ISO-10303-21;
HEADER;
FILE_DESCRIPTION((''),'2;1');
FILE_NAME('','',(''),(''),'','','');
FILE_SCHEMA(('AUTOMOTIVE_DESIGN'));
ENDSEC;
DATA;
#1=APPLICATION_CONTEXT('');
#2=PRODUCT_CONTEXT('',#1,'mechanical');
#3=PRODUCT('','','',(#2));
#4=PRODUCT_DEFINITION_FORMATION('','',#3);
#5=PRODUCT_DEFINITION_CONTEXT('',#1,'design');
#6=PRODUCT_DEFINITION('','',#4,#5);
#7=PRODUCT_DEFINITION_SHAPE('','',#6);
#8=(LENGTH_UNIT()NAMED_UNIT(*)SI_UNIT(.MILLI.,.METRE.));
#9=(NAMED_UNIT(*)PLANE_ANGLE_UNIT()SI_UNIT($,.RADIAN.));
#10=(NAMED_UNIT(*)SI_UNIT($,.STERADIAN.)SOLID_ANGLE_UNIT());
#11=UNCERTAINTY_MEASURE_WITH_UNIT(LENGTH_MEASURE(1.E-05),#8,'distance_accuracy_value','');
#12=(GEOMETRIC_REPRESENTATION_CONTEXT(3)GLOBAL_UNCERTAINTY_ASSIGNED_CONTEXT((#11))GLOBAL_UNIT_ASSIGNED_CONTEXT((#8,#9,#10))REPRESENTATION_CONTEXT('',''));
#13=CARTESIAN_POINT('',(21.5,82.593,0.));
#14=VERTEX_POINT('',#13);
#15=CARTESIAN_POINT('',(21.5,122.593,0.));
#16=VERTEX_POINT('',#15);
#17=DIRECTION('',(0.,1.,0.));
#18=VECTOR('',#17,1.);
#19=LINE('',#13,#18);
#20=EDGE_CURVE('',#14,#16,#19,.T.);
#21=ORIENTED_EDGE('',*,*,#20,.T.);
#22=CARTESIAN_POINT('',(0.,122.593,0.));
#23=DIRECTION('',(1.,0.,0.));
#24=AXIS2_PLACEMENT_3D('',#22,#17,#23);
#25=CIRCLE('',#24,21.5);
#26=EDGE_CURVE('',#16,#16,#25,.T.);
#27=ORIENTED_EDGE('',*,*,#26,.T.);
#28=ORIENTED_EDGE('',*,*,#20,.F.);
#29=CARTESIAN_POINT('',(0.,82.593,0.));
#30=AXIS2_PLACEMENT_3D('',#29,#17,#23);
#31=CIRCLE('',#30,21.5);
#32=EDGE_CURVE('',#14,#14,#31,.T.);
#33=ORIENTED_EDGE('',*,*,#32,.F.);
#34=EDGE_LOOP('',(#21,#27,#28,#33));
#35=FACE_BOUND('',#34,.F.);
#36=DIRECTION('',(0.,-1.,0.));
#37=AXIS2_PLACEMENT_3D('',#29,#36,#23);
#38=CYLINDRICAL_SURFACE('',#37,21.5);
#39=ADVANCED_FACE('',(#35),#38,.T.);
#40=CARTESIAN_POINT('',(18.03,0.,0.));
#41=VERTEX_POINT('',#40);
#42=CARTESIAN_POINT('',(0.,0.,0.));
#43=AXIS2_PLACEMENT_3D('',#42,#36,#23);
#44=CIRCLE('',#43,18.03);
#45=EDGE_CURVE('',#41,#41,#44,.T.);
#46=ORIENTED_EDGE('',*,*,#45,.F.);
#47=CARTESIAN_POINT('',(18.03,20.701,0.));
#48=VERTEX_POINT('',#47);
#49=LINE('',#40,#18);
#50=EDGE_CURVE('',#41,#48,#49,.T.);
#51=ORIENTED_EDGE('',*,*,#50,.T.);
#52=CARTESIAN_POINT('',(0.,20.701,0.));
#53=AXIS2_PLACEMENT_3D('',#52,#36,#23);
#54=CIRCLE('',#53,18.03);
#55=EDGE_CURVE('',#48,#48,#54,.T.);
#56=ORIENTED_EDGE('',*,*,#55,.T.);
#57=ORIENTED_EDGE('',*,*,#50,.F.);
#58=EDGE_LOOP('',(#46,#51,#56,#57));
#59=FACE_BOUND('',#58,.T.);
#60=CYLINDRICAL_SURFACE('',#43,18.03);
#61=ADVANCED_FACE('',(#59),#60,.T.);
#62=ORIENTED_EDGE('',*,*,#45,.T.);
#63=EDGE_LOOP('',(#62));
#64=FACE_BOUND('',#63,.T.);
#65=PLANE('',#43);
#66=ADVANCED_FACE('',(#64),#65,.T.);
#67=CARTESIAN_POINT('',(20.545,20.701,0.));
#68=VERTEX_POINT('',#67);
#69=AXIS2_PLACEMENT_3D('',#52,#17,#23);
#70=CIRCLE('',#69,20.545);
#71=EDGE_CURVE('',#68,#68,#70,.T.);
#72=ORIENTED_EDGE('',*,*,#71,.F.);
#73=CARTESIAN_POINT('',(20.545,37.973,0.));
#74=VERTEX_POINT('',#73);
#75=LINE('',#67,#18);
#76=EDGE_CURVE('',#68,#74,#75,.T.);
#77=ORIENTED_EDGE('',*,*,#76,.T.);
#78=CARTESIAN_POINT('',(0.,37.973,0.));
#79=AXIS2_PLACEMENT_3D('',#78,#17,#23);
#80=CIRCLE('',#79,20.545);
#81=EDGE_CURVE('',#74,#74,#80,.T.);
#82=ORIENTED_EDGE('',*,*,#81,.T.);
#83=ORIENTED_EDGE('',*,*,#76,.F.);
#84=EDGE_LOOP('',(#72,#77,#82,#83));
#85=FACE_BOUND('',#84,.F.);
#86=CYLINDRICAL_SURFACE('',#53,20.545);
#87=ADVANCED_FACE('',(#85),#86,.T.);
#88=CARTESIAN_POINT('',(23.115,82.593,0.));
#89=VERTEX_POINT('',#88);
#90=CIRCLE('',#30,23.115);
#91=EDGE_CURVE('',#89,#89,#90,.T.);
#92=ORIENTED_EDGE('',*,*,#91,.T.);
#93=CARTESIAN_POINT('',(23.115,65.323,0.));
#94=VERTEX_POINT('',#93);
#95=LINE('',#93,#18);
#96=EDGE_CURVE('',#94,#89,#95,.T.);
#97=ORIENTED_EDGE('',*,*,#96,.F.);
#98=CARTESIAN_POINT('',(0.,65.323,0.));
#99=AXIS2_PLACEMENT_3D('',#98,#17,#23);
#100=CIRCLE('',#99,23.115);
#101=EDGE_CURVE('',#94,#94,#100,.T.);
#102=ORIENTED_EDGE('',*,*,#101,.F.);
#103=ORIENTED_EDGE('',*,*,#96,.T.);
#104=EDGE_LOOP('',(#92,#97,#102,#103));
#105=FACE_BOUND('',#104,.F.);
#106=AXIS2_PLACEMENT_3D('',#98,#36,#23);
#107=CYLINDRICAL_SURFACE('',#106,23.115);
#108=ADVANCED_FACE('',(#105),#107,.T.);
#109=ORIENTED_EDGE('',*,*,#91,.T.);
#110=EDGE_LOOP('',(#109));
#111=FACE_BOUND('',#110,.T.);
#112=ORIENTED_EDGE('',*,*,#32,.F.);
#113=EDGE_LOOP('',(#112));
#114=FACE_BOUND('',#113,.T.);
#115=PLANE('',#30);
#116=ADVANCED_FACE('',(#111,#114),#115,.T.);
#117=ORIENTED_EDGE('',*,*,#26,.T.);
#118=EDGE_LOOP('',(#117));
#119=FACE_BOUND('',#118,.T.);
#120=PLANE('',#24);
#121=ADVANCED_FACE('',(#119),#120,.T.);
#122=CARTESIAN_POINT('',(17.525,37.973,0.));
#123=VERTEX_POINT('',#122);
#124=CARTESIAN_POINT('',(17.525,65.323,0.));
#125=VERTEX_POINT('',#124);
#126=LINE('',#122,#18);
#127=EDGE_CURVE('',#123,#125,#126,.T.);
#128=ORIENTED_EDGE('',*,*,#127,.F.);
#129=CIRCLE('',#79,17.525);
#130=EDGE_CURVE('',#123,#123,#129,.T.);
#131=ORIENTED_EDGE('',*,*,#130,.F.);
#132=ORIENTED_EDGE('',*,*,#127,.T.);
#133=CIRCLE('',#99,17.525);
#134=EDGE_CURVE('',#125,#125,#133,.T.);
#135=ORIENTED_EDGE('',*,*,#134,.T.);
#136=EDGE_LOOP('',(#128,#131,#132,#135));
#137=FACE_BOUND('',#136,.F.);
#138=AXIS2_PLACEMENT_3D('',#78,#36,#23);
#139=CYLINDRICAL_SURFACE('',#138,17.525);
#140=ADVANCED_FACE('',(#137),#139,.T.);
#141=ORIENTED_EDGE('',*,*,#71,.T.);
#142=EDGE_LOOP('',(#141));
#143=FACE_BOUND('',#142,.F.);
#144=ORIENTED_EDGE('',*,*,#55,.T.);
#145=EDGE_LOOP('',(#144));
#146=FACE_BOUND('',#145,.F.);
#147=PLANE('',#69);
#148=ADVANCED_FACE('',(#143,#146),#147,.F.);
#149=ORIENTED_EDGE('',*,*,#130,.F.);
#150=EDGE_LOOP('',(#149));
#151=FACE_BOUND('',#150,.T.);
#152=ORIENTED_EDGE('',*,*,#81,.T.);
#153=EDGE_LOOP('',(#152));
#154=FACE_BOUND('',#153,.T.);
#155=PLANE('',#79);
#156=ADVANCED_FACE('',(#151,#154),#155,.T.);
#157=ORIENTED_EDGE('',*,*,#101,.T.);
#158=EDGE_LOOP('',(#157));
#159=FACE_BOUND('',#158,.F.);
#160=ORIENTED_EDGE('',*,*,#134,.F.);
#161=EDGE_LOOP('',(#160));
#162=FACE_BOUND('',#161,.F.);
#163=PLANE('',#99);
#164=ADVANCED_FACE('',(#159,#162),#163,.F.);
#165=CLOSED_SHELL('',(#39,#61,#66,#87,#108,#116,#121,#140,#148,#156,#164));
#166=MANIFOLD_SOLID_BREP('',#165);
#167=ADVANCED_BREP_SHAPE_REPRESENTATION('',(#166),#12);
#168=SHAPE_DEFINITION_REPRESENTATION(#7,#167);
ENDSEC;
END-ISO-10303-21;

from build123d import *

# Parameters (mm, degrees)
F0_R      = 18.03
F1_DEPTH  = 20.701
F3_R      = 20.545
F4_DEPTH  = 17.272
F6_R      = 17.525
F7_DEPTH  = 27.35
F9_R      = 23.115
F10_DEPTH = 17.27
F12_R     = 21.5
F13_DEPTH = 40


with BuildPart() as f1:
    # F0 (on Front) → F1 (new body)
    with BuildSketch(Plane.XZ):
        Circle(F0_R)
    extrude(amount=-F1_DEPTH)

    # F3 (on offset) → F4 (join)
    with BuildSketch(Plane(origin=(0, 20.701, 0), x_dir=(1, 0, 0), z_dir=(0, 1, 0))):
        Circle(F3_R)
    extrude(amount=F4_DEPTH)

    # F6 (on offset) → F7 (join)
    with BuildSketch(Plane(origin=(0, 37.973, 0), x_dir=(1, 0, 0), z_dir=(0, 1, 0))):
        Circle(F6_R)
    extrude(amount=F7_DEPTH)

    # F9 (on offset) → F10 (join)
    with BuildSketch(Plane(origin=(0, 65.323, 0), x_dir=(1, 0, 0), z_dir=(0, 1, 0))):
        Circle(F9_R)
    extrude(amount=F10_DEPTH)

    # F12 (on offset) → F13 (join)
    with BuildSketch(Plane(origin=(0, 82.593, 0), x_dir=(1, 0, 0), z_dir=(0, 1, 0))):
        Circle(F12_R)
    extrude(amount=F13_DEPTH)


solid = f1.part
